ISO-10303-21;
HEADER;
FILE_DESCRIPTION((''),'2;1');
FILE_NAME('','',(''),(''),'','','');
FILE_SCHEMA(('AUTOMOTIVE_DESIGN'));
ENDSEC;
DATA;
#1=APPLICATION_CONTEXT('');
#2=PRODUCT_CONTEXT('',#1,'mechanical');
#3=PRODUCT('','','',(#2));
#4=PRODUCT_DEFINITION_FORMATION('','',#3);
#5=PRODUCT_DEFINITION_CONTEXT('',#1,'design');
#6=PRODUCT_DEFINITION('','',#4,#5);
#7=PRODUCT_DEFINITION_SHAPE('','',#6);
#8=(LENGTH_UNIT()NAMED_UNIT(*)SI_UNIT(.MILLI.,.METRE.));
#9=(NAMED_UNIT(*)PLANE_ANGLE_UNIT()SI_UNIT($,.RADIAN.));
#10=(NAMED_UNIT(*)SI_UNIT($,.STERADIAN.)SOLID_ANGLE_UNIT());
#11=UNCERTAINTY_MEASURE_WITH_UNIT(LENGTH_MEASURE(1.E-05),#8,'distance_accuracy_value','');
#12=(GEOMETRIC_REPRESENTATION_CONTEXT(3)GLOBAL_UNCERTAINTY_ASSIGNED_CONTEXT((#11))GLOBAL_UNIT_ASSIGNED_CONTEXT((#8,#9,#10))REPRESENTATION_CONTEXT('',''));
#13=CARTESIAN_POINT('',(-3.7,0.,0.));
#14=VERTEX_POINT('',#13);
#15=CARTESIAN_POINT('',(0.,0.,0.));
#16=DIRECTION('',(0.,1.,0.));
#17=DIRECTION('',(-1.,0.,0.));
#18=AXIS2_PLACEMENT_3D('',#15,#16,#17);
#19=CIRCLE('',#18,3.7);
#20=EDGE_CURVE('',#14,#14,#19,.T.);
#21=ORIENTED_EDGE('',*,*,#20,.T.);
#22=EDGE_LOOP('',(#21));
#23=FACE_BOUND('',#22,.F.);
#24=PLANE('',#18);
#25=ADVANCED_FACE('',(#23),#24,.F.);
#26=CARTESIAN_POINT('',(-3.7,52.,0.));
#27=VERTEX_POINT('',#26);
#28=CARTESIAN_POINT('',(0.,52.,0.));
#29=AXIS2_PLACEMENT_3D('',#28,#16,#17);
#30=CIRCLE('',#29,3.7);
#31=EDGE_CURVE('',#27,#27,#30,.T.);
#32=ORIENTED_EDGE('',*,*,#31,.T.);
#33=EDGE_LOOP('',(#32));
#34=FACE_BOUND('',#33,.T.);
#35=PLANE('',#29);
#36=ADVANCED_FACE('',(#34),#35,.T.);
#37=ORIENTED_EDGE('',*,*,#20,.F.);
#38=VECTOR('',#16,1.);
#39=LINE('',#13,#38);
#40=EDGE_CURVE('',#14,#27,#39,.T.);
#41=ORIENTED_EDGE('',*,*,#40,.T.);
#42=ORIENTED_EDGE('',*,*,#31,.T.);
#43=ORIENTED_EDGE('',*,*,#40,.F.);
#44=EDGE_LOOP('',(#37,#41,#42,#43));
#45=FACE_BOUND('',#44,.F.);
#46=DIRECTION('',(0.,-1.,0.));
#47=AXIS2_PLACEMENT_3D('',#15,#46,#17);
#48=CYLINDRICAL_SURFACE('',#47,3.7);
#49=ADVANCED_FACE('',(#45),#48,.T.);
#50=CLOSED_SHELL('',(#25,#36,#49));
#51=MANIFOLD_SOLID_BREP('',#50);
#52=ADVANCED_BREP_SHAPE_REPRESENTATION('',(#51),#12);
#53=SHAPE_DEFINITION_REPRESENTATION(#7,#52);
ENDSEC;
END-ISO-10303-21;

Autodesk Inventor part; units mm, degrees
ref_plane "YZ Plane" through (0, 0, 0) normal (1, 0, 0) x (0, 1, 0)
ref_plane "XZ Plane" through (0, 0, 0) normal (0, 1, 0) x (-1, 0, 0)
ref_plane "XY Plane" through (0, 0, 0) normal (0, 0, 1) x (1, 0, 0)
sketch "스케치1" plane through (0, 0, 0) normal (0, 1, 0) x (-1, 0, 0)
  circle A0 centre (0, 0) radius 3.7
  dimension "d0" = 7.4
extrude "돌출1" add sketch "스케치1" along normal blind 52
properties part number "스프링막대"
